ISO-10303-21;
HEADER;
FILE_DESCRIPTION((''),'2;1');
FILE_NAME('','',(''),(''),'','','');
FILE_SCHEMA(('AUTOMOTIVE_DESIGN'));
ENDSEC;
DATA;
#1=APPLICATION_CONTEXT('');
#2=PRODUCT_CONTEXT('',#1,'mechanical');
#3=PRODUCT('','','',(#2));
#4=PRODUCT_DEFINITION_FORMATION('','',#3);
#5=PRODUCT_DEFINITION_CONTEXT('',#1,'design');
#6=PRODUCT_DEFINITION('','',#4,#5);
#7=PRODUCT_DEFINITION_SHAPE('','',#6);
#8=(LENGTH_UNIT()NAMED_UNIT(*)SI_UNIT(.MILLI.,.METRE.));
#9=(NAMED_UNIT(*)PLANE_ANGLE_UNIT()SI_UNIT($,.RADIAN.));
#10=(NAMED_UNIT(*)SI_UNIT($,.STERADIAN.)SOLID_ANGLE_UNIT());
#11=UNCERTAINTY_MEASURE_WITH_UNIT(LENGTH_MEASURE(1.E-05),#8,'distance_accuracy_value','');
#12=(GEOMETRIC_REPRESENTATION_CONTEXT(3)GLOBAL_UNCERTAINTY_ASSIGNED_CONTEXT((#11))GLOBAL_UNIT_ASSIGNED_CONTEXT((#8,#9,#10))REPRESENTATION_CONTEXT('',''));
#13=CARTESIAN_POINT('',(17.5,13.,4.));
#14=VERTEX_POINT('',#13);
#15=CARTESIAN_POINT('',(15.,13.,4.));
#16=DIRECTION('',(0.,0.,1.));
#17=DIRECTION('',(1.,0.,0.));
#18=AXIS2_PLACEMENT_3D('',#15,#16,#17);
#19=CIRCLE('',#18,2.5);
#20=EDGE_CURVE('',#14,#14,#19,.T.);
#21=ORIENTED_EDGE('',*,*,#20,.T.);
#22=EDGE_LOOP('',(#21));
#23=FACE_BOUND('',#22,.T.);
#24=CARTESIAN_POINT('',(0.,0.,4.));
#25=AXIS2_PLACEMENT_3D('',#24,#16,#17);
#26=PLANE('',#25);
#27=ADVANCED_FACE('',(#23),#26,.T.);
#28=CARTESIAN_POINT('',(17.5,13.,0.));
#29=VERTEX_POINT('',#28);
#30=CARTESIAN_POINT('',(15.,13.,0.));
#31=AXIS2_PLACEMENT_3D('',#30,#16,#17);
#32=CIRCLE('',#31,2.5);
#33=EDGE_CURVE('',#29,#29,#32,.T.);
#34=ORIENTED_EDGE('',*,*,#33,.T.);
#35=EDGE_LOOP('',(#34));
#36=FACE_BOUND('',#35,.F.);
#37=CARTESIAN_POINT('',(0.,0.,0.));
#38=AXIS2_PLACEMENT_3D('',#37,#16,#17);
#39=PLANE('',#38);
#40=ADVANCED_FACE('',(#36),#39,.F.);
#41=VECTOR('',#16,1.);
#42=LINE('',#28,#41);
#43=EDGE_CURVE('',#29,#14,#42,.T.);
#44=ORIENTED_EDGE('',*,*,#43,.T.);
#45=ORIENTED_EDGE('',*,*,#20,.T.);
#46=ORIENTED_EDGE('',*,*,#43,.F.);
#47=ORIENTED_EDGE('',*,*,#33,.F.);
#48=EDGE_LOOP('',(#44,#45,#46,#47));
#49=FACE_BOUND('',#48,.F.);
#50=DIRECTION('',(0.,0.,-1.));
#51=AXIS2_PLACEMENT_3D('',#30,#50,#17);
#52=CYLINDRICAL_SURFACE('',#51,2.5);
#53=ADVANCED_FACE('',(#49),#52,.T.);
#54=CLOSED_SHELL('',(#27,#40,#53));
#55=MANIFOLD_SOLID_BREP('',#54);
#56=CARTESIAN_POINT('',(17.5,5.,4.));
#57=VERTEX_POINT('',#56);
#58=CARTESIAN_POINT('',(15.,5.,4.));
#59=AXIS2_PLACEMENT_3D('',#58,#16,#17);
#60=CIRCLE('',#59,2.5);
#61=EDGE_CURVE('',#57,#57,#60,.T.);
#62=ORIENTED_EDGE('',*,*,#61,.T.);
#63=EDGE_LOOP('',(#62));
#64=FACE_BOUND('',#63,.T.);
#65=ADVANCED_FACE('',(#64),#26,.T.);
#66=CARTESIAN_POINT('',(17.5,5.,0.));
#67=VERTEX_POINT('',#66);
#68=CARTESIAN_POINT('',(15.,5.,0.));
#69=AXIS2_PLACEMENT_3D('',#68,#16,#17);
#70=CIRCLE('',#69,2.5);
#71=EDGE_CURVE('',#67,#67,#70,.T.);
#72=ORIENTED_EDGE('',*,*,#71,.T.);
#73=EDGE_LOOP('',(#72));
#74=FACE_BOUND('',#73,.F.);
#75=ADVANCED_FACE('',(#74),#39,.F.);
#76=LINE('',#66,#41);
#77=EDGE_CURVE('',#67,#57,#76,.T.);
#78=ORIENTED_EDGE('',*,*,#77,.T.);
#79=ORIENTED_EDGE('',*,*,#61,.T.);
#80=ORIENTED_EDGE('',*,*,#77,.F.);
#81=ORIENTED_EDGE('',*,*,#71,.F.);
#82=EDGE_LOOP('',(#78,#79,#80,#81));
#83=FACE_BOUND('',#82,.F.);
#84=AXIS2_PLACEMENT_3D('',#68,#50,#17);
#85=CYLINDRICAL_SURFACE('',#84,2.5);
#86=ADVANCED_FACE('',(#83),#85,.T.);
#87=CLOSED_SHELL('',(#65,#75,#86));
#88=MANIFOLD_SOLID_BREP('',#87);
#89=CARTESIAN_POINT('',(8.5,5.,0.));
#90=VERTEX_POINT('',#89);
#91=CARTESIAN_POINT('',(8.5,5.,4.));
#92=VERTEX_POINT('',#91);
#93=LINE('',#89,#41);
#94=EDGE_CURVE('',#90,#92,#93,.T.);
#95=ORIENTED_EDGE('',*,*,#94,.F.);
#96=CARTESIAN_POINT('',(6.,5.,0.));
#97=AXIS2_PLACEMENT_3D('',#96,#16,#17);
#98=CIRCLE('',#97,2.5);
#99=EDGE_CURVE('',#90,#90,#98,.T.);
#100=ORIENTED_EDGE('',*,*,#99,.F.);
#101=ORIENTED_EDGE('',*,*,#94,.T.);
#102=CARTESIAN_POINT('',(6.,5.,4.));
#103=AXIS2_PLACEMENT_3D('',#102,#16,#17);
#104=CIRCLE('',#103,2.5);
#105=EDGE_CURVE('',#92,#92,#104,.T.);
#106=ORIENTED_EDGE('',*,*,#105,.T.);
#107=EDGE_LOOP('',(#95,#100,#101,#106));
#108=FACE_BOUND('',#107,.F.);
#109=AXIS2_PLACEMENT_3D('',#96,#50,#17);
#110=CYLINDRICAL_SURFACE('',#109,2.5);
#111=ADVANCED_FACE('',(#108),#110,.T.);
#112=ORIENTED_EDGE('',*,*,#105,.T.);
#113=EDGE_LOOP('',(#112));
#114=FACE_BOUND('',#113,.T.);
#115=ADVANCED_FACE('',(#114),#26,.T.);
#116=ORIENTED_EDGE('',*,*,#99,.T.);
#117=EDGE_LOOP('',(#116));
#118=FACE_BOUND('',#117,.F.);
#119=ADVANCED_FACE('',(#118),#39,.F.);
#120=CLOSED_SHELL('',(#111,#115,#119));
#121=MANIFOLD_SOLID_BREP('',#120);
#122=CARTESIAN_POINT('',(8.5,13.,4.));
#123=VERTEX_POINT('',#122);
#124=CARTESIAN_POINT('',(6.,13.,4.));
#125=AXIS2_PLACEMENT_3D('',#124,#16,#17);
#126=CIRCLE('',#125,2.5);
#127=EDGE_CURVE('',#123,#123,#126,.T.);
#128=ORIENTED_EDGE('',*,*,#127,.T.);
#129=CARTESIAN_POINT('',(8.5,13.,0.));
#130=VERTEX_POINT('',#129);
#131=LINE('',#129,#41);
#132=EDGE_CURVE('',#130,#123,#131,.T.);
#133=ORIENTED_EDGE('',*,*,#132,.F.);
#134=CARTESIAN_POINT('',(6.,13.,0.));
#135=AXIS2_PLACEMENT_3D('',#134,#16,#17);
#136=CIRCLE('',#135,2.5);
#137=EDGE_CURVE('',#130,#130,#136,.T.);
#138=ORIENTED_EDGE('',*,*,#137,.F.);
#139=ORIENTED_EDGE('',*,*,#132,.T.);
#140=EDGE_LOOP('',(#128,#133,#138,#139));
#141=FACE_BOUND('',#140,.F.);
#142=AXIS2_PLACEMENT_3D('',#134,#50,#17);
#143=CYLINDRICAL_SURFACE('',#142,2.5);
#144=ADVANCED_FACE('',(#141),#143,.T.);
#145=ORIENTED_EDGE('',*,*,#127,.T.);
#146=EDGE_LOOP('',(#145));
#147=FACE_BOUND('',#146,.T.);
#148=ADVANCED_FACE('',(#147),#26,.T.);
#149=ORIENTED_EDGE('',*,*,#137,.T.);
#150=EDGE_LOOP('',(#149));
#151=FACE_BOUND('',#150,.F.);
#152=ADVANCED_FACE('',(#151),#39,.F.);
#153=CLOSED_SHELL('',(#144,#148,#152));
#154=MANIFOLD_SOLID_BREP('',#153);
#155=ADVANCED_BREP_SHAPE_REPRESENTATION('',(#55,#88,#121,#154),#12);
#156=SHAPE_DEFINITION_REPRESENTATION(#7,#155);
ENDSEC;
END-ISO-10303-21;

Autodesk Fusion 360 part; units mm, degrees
sketch "Sketch1" plane through (0, 0, 0) normal (0, 0, 1) x (1, 0, 0)
  circle A0 centre (6, 5) radius 2.5
  circle A1 centre (15, 5) radius 2.5
  circle A2 centre (6, 13) radius 2.5
  circle A3 centre (15, 13) radius 2.5
  dimension "d1" = 5
  dimension "d2" = 5
  dimension "d3" = 5
  dimension "d4" = 5
extrude "Extrude1" add sketch "Sketch1" along normal blind 4 contours A2 makes body 1
extrude "Extrude2" add sketch "Sketch1" along normal blind 4 separate body contours A0 makes body 2
extrude "Extrude3" add sketch "Sketch1" along normal blind 4 separate body contours A3 makes body 3
extrude "Extrude4" add sketch "Sketch1" along normal blind 4 separate body contours A1 makes body 4
